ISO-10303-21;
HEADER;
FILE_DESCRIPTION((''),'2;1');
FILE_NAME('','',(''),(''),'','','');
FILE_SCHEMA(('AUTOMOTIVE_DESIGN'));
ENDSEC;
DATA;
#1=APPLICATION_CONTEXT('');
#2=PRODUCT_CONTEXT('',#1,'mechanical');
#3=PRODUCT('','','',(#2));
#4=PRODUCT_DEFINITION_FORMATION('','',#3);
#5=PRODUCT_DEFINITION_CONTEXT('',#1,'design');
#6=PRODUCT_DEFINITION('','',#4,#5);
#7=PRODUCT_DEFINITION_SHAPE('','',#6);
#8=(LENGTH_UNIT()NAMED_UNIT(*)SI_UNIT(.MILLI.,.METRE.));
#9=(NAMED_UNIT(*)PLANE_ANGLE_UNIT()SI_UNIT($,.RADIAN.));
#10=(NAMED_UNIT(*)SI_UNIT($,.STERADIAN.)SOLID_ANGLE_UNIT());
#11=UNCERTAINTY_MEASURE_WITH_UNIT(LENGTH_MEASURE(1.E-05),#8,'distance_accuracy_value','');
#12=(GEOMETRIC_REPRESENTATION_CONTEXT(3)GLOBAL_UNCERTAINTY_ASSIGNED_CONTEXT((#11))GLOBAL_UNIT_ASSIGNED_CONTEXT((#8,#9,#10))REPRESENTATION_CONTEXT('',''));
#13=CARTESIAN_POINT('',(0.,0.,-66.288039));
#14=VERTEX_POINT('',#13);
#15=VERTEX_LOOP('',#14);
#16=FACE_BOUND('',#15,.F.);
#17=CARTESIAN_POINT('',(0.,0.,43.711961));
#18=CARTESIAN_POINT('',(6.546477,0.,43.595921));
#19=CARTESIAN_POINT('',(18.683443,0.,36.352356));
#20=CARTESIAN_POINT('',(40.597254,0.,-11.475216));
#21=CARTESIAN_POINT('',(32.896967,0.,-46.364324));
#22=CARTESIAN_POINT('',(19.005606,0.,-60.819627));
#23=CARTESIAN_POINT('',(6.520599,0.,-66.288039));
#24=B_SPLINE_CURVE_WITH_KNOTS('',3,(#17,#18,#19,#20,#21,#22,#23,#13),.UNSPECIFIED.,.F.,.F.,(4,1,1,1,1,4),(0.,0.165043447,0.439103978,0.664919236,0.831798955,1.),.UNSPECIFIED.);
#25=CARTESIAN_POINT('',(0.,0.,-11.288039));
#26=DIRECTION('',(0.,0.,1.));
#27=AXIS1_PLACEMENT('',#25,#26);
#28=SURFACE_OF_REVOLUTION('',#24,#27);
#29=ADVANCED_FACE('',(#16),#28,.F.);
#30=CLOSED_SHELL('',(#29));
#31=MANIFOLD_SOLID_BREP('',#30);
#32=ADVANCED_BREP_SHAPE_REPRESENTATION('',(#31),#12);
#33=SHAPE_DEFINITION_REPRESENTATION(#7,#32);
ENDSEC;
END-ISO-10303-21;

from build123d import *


with BuildPart() as f1:
    # F0 (on Front) → F1 (revolve)
    with BuildSketch(Plane.XZ):
        with BuildLine():
            add(Edge.make_bspline(
                [(0, 43.7119613894), (6.5464770588, 43.5959207861), (18.6834430675, 36.3523562112), (40.5972535224, -11.4752158169), (32.8969671474, -46.3643235265), (19.0056056037, -60.8196266846), (6.5205989173, -66.2880386106), (0, -66.2880386106)],
                knots=[0, 0, 0, 0, 0.1650434466, 0.439103978, 0.6649192361, 0.8317989551, 1, 1, 1, 1], degree=3))
            Line((0, 43.7119613894), (0, -66.2880386106))
        make_face()
    revolve(axis=Axis((0, 0, -11.2880386106), (0, 0, 1)))


solid = f1.part
